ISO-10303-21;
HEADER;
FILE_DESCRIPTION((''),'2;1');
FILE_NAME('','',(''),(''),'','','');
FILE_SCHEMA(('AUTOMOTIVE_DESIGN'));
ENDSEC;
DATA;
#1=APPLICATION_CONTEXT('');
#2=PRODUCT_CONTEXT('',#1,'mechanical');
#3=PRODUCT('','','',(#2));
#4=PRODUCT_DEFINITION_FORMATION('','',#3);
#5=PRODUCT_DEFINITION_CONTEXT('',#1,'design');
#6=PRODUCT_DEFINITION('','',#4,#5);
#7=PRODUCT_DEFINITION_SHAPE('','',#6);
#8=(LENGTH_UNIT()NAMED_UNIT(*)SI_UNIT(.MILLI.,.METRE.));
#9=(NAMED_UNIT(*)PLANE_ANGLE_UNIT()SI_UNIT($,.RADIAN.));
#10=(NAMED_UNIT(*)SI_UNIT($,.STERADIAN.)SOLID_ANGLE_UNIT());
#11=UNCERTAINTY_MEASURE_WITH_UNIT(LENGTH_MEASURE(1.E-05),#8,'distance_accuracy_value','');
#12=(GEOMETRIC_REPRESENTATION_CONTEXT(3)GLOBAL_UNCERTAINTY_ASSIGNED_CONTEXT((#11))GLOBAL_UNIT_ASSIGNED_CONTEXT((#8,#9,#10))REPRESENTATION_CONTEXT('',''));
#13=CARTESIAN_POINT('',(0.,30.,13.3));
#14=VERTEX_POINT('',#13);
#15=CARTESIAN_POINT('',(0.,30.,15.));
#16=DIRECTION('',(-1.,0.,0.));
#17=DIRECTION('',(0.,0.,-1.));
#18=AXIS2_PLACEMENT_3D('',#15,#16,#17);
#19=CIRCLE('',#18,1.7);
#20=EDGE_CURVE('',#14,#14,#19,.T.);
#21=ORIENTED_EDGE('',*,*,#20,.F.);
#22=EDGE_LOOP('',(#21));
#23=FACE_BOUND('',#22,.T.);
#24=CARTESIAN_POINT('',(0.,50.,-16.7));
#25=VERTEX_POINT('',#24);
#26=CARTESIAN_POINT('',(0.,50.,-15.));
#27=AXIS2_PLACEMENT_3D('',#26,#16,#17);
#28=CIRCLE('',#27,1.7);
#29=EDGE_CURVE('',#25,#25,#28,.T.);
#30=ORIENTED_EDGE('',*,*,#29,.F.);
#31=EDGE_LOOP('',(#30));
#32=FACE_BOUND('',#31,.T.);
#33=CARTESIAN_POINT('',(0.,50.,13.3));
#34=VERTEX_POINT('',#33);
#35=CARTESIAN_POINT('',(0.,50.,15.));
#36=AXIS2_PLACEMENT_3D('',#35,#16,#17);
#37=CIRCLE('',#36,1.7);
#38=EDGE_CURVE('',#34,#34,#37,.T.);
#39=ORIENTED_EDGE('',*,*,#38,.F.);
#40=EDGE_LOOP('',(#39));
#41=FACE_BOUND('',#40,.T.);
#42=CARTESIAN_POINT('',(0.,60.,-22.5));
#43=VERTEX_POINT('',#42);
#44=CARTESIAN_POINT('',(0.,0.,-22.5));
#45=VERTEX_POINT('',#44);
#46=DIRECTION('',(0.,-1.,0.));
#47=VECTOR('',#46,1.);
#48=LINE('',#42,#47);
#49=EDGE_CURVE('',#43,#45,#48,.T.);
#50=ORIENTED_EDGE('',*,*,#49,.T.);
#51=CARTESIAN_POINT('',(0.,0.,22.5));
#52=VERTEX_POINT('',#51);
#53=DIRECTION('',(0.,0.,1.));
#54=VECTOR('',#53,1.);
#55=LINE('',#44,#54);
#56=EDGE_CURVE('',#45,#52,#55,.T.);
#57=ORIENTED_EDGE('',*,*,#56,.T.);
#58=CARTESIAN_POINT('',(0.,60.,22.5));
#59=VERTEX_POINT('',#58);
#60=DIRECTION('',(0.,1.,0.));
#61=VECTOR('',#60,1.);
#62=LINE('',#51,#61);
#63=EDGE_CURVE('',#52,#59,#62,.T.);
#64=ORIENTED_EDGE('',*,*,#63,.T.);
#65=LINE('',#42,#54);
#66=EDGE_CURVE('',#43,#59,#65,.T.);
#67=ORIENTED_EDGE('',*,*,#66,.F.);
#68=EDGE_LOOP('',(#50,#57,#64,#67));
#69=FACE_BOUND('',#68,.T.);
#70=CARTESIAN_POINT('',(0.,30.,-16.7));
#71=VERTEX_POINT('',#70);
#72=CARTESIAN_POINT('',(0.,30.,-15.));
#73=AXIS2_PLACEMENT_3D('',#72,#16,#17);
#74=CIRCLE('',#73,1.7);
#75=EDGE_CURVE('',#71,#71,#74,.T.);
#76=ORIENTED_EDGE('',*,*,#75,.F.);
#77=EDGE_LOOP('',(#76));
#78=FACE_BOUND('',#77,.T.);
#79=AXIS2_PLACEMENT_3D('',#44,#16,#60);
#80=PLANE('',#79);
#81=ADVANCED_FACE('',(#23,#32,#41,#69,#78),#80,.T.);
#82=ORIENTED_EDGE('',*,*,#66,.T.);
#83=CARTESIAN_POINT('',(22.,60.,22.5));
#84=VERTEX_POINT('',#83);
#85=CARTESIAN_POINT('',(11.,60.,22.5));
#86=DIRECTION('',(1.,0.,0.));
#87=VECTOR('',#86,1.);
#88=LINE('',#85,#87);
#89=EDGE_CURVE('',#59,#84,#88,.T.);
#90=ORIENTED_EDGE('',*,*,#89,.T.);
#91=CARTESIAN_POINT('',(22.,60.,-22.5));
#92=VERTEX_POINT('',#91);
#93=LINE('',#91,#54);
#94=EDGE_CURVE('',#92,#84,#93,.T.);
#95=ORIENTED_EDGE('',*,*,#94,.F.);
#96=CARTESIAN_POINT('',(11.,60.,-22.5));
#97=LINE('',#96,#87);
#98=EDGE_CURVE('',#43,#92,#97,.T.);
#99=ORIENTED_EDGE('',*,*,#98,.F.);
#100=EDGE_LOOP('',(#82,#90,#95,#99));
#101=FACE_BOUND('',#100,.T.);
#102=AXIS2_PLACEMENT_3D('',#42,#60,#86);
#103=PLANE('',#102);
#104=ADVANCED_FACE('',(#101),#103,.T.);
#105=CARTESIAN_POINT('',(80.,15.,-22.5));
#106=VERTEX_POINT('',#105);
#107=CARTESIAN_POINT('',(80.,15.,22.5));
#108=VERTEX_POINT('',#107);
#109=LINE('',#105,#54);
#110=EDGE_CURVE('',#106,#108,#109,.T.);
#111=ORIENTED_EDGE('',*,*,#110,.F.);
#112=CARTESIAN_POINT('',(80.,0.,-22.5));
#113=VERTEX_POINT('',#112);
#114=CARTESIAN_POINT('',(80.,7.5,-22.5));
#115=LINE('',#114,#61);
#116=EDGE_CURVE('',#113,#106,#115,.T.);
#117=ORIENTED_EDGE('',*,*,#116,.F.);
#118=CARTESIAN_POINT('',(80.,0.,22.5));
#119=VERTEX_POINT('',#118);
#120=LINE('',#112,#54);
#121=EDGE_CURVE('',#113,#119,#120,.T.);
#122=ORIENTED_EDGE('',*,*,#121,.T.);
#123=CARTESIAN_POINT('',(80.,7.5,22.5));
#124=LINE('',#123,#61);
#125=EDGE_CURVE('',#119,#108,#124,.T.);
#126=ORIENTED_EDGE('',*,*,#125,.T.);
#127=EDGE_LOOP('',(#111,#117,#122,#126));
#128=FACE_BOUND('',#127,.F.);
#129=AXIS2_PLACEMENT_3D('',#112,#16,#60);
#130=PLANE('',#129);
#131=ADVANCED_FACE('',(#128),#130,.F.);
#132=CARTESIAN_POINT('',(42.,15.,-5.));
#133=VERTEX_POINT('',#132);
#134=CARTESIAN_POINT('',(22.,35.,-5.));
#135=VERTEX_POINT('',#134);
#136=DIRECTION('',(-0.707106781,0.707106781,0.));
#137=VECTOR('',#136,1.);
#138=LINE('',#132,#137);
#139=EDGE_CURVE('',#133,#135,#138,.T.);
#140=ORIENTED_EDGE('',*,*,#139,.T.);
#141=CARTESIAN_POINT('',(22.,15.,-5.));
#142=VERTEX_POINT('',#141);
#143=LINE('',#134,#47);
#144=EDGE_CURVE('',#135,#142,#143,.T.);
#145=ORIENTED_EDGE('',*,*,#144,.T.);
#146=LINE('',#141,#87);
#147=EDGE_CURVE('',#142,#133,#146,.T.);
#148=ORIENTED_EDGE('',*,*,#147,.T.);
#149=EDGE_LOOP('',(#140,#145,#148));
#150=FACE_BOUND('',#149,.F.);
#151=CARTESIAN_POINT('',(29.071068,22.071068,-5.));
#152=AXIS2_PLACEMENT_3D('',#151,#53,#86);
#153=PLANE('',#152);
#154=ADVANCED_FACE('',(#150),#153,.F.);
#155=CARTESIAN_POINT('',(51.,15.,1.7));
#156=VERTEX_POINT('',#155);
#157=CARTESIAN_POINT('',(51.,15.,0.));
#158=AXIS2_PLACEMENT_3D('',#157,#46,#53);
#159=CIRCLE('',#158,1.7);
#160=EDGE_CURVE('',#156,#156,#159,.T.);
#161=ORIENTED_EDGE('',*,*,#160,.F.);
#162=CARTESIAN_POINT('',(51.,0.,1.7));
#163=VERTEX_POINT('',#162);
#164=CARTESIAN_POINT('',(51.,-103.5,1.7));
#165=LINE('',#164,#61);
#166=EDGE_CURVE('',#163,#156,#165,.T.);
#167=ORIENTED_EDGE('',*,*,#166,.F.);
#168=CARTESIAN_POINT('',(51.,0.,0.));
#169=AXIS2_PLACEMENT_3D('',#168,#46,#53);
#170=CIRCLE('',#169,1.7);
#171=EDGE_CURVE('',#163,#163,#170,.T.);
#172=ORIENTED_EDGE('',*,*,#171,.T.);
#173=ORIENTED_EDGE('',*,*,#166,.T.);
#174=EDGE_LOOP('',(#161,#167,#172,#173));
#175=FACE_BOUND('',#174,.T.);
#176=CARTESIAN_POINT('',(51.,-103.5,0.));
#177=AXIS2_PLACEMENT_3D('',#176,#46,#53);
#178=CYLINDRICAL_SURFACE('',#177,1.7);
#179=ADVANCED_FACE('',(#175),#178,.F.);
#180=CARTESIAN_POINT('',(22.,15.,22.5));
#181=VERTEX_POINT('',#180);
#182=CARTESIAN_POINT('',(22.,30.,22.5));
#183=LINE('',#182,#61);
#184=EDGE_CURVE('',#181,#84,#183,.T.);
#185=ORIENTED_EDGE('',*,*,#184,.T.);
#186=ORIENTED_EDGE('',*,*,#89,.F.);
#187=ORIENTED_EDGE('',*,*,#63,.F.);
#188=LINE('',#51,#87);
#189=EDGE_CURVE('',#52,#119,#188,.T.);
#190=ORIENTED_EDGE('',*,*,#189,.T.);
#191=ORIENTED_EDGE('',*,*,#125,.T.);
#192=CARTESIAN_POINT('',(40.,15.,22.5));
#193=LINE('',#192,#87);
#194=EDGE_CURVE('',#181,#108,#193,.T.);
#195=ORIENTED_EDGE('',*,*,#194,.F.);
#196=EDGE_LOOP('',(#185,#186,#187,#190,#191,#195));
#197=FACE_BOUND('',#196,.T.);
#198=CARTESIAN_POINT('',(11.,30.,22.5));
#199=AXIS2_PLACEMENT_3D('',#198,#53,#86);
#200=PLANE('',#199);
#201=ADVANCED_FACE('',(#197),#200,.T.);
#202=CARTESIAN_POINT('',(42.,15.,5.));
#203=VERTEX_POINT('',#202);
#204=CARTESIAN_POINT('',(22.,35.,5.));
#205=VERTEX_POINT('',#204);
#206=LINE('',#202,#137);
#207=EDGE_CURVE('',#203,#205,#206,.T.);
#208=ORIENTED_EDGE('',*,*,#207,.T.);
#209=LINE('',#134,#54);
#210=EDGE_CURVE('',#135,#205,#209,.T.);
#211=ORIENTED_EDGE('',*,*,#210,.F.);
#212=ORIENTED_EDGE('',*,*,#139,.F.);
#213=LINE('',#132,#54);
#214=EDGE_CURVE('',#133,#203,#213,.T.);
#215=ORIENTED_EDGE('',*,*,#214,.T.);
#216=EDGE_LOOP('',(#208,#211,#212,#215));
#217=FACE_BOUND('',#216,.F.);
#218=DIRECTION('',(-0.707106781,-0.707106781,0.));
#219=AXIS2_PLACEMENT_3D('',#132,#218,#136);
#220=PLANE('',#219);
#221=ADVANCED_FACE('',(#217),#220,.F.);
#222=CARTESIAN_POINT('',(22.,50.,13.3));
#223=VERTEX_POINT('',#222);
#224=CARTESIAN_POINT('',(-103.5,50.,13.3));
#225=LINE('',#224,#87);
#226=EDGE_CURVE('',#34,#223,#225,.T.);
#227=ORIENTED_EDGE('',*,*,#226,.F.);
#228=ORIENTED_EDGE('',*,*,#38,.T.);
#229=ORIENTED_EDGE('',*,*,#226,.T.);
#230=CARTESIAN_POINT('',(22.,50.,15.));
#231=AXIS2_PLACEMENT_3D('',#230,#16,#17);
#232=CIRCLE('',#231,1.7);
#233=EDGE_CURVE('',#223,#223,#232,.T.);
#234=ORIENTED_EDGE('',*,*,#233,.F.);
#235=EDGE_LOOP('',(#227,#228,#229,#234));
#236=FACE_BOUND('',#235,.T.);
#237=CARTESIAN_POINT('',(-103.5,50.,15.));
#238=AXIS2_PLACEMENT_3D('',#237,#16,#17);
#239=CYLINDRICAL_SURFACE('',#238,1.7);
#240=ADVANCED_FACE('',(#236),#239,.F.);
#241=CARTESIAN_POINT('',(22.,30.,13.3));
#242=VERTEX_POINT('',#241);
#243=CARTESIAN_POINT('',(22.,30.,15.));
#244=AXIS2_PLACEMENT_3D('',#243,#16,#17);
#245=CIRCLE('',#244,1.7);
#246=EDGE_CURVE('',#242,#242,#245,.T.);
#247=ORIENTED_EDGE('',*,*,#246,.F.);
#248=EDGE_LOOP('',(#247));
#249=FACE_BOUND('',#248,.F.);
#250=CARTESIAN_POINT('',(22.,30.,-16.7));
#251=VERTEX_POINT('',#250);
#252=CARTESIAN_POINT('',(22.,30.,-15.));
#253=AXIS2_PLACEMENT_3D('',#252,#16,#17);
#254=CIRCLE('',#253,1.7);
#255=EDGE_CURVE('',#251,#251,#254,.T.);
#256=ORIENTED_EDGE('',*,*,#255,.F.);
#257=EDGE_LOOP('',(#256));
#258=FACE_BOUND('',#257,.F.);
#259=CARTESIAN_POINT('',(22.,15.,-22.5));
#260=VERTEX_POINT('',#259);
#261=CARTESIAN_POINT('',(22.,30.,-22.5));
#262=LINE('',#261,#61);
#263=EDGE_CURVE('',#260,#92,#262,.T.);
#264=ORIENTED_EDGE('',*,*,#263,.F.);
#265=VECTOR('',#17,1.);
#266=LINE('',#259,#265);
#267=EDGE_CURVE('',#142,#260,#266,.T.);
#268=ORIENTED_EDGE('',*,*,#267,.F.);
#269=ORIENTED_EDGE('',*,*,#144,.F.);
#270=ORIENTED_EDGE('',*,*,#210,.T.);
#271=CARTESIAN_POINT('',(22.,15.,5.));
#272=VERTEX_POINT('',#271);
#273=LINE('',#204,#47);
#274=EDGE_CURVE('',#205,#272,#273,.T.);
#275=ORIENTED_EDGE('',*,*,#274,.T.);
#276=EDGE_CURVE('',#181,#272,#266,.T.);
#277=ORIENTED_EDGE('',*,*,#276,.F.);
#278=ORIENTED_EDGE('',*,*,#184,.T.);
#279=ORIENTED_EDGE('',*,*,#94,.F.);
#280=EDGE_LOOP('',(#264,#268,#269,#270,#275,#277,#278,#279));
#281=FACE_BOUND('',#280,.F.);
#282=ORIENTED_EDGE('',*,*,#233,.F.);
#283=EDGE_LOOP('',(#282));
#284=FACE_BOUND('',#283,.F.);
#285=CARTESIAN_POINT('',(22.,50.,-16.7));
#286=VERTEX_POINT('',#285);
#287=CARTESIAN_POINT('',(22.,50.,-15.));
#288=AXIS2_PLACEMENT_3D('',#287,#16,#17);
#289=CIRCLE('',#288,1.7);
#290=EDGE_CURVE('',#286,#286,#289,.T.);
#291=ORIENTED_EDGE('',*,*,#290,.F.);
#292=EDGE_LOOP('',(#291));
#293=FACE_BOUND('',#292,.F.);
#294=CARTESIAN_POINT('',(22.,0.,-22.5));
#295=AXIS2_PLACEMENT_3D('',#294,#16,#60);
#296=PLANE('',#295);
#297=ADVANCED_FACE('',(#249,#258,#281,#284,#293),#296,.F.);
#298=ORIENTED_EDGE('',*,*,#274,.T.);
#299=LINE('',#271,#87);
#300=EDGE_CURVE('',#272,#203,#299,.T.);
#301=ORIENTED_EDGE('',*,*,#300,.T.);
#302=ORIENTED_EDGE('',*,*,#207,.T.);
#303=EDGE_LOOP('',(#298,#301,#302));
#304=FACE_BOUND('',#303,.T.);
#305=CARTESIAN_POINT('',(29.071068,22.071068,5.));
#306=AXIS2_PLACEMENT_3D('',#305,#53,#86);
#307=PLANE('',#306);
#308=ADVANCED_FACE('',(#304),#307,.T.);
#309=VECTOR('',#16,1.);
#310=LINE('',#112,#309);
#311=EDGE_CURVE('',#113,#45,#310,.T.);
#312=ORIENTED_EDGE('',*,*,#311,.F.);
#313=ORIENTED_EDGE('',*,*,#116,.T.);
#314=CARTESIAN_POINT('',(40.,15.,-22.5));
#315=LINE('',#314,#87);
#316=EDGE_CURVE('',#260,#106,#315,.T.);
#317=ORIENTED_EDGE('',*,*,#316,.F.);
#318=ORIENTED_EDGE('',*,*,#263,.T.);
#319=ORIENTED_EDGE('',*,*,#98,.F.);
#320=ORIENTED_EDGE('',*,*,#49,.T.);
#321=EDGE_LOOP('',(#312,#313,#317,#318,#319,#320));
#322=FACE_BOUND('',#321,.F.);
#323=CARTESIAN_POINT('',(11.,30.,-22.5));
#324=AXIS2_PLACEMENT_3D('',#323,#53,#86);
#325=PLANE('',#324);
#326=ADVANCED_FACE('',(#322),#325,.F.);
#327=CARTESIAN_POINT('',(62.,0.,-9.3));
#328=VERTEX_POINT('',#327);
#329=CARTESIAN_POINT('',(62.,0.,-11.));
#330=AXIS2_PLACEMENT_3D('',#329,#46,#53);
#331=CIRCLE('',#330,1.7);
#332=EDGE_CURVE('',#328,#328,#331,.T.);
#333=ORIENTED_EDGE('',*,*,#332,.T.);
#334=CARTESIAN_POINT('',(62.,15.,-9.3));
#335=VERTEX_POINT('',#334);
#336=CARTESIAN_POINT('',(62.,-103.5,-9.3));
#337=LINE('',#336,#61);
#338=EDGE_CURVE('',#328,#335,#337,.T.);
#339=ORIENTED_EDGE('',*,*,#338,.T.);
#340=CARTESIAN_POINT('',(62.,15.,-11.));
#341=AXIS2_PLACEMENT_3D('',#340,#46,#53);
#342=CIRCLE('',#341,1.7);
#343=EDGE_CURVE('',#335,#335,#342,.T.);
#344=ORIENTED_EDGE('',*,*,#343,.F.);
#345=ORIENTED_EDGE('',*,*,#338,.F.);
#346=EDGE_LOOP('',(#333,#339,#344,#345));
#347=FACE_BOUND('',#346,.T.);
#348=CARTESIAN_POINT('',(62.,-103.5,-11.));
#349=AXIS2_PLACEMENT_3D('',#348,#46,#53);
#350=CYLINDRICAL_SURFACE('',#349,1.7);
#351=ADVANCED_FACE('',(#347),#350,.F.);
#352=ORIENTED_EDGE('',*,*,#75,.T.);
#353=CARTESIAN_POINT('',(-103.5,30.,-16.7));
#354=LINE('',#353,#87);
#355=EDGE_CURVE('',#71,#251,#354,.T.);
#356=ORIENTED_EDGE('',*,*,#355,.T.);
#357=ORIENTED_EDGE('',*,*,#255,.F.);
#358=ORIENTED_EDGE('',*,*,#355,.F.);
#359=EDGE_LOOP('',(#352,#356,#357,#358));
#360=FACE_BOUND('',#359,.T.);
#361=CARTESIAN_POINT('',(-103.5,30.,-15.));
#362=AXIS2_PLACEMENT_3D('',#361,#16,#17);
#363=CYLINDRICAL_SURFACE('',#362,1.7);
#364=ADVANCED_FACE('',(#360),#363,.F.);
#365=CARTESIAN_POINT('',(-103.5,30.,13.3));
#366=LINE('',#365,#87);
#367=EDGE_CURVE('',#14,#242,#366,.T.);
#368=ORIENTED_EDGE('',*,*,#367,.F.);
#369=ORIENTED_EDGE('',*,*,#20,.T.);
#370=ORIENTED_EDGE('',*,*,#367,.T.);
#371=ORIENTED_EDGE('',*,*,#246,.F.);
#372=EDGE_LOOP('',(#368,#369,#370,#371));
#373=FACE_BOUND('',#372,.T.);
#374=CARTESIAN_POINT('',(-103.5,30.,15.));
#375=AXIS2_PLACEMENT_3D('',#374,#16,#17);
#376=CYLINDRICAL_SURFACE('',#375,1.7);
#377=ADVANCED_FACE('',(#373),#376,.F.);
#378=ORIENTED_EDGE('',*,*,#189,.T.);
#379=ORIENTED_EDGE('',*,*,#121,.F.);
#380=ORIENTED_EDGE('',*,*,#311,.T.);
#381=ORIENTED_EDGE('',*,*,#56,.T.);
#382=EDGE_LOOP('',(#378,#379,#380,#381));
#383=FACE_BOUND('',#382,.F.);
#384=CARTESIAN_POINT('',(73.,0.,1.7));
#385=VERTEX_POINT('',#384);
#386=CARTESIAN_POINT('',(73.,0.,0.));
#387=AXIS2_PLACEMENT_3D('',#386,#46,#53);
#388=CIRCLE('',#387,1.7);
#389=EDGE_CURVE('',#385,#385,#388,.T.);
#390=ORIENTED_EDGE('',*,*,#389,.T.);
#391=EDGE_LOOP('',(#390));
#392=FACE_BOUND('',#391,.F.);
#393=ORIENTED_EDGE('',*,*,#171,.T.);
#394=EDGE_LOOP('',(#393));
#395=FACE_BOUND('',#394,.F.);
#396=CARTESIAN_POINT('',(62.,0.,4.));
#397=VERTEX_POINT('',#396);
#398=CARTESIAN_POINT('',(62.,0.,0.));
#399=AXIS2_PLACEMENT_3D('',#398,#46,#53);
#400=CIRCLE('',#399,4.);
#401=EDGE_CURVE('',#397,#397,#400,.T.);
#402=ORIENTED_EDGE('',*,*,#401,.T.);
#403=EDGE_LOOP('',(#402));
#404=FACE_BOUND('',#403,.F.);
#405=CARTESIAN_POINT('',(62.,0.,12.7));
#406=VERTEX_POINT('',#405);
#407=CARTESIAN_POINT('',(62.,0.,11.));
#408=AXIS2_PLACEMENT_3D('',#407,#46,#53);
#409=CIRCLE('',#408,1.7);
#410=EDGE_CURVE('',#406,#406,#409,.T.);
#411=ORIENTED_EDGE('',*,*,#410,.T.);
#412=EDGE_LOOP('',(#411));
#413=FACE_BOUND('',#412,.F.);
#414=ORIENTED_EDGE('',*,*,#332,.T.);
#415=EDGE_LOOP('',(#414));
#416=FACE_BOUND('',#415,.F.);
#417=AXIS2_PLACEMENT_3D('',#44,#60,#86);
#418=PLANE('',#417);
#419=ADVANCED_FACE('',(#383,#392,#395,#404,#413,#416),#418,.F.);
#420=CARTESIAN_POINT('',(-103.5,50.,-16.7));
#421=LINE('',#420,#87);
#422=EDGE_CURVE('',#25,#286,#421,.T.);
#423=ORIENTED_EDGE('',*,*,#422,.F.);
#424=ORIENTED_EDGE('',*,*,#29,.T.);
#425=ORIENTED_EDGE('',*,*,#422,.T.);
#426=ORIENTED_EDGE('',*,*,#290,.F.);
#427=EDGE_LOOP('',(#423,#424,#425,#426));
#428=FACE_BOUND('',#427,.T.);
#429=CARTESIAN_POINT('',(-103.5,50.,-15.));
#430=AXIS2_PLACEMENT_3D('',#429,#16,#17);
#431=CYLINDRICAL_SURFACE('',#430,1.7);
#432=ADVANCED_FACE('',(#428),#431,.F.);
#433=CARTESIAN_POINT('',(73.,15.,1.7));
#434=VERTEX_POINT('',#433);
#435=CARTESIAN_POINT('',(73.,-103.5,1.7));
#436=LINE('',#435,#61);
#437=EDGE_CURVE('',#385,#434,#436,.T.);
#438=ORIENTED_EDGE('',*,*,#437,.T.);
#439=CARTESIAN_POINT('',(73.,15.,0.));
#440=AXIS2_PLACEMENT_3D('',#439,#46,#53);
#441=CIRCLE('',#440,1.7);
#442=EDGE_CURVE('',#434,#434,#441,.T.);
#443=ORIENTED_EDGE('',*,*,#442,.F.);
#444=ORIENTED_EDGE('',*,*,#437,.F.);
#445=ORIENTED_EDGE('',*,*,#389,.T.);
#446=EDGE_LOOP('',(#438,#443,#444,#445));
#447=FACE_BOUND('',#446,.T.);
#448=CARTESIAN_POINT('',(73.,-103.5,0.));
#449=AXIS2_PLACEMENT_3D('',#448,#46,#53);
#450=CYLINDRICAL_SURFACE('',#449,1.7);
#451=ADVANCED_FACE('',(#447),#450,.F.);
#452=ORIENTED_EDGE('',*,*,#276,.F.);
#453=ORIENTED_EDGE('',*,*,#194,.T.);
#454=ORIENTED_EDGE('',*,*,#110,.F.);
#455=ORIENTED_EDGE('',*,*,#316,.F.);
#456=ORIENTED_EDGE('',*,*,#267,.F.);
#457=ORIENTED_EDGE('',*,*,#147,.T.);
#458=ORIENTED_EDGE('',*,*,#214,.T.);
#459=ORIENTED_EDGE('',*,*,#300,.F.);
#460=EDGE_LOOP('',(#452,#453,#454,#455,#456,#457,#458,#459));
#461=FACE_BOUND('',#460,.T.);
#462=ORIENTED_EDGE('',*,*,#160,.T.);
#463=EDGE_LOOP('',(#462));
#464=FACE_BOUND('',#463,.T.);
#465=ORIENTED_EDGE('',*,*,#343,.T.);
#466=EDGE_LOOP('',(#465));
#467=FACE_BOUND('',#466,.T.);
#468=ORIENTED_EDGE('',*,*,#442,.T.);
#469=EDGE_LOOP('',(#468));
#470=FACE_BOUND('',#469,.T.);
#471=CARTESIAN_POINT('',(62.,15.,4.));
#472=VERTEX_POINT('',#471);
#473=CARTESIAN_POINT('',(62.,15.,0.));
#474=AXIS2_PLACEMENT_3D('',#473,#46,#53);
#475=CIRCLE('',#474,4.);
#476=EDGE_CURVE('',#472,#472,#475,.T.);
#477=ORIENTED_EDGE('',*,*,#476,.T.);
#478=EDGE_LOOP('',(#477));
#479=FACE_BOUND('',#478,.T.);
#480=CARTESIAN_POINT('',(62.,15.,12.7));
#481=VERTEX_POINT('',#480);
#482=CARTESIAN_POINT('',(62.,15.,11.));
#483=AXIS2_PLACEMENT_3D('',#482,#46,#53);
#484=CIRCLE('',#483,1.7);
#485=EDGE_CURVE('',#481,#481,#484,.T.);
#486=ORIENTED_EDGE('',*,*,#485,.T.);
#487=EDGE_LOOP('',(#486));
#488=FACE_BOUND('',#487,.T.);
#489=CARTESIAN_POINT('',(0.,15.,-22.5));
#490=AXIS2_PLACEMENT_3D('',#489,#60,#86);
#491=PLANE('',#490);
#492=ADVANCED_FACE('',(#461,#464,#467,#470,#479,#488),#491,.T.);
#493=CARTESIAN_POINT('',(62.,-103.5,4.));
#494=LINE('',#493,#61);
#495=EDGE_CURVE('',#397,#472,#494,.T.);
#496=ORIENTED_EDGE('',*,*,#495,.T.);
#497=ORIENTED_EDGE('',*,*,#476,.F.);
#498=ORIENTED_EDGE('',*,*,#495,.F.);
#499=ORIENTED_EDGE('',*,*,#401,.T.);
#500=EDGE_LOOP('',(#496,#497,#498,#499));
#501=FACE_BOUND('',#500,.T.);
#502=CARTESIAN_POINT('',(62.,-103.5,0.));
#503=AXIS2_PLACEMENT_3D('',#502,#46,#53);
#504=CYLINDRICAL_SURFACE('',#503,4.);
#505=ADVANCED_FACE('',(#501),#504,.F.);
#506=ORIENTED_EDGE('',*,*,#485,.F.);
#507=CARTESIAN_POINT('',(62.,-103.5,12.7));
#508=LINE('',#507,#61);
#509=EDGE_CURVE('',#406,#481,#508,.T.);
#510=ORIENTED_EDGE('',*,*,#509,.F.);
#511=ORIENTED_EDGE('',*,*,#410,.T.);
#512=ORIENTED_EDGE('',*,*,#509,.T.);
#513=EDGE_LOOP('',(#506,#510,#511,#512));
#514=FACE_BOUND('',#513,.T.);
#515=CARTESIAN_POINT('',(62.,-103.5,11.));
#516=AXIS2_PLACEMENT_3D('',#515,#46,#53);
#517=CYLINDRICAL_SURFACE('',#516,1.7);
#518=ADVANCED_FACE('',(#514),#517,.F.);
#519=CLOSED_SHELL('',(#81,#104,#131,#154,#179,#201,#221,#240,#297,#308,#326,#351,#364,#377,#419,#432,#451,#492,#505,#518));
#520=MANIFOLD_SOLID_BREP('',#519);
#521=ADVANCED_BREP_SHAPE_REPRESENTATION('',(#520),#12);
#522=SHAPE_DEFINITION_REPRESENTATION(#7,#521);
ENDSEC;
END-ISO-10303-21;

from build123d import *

# Parameters (mm, degrees)
BOSS_EXTRUDE3_DEPTH      = 22.5
BOSS_EXTRUDE3_DEPTH_BACK = 22.5
SKETCH1_W                = 22
SKETCH1_H                = 60
BOSS_EXTRUDE4_DEPTH      = 22.5
BOSS_EXTRUDE4_DEPTH_BACK = 22.5
SKETCH2_W                = 80
SKETCH2_H                = 15
CUT_EXTRUDE1_DEPTH       = 103.5
CUT_EXTRUDE1_DEPTH_BACK  = 103.5
SKETCH3_R                = 4
SKETCH3_R_2              = 1.7
CUT_EXTRUDE2_DEPTH       = 103.5
CUT_EXTRUDE2_DEPTH_BACK  = 103.5
SKETCH4_R                = 1.7
BOSS_EXTRUDE5_DEPTH      = 5
BOSS_EXTRUDE5_DEPTH_BACK = 5


with BuildPart() as part:
    # Sketch1 → Boss-Extrude3 (new, two sides: drawn at the far end of the back side and taken through both)
    with BuildSketch(Plane.XY.offset(-BOSS_EXTRUDE3_DEPTH_BACK)):
        with Locations((11, 30)):
            Rectangle(SKETCH1_W, SKETCH1_H)
    extrude(amount=BOSS_EXTRUDE3_DEPTH + BOSS_EXTRUDE3_DEPTH_BACK)

    # Sketch2 → Boss-Extrude4 (add, two sides: drawn at the far end of the back side and taken through both)
    with BuildSketch(Plane.XY.offset(-BOSS_EXTRUDE4_DEPTH_BACK)):
        with Locations((40, 7.5)):
            Rectangle(SKETCH2_W, SKETCH2_H)
    extrude(amount=BOSS_EXTRUDE4_DEPTH + BOSS_EXTRUDE4_DEPTH_BACK)

    # Sketch3 → Cut-Extrude1 (cut, two sides: drawn at the far end of the back side and taken through both)
    with BuildSketch(Plane(origin=(0, 0, 0), x_dir=(1, 0, 0), z_dir=(0, 1, 0)).offset(-CUT_EXTRUDE1_DEPTH_BACK)):
        with Locations((62, 0)):
            Circle(SKETCH3_R)
        with Locations((73, 0)):
            Circle(SKETCH3_R_2)
        with Locations((51, 0)):
            Circle(SKETCH3_R_2)
        with Locations((62, 11)):
            Circle(SKETCH3_R_2)
        with Locations((62, -11)):
            Circle(SKETCH3_R_2)
    extrude(amount=CUT_EXTRUDE1_DEPTH + CUT_EXTRUDE1_DEPTH_BACK, mode=Mode.SUBTRACT)

    # Sketch4 → Cut-Extrude2 (cut, two sides: drawn at the far end of the back side and taken through both)
    with BuildSketch(Plane(origin=(0, 0, 0), x_dir=(0, 0, -1), z_dir=(1, 0, 0)).offset(-CUT_EXTRUDE2_DEPTH_BACK)):
        with Locations((15, 30)):
            Circle(SKETCH4_R)
        with Locations((-15, 30)):
            Circle(SKETCH4_R)
        with Locations((15, 50)):
            Circle(SKETCH4_R)
        with Locations((-15, 50)):
            Circle(SKETCH4_R)
    extrude(amount=CUT_EXTRUDE2_DEPTH + CUT_EXTRUDE2_DEPTH_BACK, mode=Mode.SUBTRACT)

    # Sketch5 → Boss-Extrude5 (add, two sides: drawn at the far end of the back side and taken through both)
    with BuildSketch(Plane.XY.offset(-BOSS_EXTRUDE5_DEPTH_BACK)):
        Polygon((22, 15), (42, 15), (22, 35), align=None)
    extrude(amount=BOSS_EXTRUDE5_DEPTH + BOSS_EXTRUDE5_DEPTH_BACK)


solid = part.part
